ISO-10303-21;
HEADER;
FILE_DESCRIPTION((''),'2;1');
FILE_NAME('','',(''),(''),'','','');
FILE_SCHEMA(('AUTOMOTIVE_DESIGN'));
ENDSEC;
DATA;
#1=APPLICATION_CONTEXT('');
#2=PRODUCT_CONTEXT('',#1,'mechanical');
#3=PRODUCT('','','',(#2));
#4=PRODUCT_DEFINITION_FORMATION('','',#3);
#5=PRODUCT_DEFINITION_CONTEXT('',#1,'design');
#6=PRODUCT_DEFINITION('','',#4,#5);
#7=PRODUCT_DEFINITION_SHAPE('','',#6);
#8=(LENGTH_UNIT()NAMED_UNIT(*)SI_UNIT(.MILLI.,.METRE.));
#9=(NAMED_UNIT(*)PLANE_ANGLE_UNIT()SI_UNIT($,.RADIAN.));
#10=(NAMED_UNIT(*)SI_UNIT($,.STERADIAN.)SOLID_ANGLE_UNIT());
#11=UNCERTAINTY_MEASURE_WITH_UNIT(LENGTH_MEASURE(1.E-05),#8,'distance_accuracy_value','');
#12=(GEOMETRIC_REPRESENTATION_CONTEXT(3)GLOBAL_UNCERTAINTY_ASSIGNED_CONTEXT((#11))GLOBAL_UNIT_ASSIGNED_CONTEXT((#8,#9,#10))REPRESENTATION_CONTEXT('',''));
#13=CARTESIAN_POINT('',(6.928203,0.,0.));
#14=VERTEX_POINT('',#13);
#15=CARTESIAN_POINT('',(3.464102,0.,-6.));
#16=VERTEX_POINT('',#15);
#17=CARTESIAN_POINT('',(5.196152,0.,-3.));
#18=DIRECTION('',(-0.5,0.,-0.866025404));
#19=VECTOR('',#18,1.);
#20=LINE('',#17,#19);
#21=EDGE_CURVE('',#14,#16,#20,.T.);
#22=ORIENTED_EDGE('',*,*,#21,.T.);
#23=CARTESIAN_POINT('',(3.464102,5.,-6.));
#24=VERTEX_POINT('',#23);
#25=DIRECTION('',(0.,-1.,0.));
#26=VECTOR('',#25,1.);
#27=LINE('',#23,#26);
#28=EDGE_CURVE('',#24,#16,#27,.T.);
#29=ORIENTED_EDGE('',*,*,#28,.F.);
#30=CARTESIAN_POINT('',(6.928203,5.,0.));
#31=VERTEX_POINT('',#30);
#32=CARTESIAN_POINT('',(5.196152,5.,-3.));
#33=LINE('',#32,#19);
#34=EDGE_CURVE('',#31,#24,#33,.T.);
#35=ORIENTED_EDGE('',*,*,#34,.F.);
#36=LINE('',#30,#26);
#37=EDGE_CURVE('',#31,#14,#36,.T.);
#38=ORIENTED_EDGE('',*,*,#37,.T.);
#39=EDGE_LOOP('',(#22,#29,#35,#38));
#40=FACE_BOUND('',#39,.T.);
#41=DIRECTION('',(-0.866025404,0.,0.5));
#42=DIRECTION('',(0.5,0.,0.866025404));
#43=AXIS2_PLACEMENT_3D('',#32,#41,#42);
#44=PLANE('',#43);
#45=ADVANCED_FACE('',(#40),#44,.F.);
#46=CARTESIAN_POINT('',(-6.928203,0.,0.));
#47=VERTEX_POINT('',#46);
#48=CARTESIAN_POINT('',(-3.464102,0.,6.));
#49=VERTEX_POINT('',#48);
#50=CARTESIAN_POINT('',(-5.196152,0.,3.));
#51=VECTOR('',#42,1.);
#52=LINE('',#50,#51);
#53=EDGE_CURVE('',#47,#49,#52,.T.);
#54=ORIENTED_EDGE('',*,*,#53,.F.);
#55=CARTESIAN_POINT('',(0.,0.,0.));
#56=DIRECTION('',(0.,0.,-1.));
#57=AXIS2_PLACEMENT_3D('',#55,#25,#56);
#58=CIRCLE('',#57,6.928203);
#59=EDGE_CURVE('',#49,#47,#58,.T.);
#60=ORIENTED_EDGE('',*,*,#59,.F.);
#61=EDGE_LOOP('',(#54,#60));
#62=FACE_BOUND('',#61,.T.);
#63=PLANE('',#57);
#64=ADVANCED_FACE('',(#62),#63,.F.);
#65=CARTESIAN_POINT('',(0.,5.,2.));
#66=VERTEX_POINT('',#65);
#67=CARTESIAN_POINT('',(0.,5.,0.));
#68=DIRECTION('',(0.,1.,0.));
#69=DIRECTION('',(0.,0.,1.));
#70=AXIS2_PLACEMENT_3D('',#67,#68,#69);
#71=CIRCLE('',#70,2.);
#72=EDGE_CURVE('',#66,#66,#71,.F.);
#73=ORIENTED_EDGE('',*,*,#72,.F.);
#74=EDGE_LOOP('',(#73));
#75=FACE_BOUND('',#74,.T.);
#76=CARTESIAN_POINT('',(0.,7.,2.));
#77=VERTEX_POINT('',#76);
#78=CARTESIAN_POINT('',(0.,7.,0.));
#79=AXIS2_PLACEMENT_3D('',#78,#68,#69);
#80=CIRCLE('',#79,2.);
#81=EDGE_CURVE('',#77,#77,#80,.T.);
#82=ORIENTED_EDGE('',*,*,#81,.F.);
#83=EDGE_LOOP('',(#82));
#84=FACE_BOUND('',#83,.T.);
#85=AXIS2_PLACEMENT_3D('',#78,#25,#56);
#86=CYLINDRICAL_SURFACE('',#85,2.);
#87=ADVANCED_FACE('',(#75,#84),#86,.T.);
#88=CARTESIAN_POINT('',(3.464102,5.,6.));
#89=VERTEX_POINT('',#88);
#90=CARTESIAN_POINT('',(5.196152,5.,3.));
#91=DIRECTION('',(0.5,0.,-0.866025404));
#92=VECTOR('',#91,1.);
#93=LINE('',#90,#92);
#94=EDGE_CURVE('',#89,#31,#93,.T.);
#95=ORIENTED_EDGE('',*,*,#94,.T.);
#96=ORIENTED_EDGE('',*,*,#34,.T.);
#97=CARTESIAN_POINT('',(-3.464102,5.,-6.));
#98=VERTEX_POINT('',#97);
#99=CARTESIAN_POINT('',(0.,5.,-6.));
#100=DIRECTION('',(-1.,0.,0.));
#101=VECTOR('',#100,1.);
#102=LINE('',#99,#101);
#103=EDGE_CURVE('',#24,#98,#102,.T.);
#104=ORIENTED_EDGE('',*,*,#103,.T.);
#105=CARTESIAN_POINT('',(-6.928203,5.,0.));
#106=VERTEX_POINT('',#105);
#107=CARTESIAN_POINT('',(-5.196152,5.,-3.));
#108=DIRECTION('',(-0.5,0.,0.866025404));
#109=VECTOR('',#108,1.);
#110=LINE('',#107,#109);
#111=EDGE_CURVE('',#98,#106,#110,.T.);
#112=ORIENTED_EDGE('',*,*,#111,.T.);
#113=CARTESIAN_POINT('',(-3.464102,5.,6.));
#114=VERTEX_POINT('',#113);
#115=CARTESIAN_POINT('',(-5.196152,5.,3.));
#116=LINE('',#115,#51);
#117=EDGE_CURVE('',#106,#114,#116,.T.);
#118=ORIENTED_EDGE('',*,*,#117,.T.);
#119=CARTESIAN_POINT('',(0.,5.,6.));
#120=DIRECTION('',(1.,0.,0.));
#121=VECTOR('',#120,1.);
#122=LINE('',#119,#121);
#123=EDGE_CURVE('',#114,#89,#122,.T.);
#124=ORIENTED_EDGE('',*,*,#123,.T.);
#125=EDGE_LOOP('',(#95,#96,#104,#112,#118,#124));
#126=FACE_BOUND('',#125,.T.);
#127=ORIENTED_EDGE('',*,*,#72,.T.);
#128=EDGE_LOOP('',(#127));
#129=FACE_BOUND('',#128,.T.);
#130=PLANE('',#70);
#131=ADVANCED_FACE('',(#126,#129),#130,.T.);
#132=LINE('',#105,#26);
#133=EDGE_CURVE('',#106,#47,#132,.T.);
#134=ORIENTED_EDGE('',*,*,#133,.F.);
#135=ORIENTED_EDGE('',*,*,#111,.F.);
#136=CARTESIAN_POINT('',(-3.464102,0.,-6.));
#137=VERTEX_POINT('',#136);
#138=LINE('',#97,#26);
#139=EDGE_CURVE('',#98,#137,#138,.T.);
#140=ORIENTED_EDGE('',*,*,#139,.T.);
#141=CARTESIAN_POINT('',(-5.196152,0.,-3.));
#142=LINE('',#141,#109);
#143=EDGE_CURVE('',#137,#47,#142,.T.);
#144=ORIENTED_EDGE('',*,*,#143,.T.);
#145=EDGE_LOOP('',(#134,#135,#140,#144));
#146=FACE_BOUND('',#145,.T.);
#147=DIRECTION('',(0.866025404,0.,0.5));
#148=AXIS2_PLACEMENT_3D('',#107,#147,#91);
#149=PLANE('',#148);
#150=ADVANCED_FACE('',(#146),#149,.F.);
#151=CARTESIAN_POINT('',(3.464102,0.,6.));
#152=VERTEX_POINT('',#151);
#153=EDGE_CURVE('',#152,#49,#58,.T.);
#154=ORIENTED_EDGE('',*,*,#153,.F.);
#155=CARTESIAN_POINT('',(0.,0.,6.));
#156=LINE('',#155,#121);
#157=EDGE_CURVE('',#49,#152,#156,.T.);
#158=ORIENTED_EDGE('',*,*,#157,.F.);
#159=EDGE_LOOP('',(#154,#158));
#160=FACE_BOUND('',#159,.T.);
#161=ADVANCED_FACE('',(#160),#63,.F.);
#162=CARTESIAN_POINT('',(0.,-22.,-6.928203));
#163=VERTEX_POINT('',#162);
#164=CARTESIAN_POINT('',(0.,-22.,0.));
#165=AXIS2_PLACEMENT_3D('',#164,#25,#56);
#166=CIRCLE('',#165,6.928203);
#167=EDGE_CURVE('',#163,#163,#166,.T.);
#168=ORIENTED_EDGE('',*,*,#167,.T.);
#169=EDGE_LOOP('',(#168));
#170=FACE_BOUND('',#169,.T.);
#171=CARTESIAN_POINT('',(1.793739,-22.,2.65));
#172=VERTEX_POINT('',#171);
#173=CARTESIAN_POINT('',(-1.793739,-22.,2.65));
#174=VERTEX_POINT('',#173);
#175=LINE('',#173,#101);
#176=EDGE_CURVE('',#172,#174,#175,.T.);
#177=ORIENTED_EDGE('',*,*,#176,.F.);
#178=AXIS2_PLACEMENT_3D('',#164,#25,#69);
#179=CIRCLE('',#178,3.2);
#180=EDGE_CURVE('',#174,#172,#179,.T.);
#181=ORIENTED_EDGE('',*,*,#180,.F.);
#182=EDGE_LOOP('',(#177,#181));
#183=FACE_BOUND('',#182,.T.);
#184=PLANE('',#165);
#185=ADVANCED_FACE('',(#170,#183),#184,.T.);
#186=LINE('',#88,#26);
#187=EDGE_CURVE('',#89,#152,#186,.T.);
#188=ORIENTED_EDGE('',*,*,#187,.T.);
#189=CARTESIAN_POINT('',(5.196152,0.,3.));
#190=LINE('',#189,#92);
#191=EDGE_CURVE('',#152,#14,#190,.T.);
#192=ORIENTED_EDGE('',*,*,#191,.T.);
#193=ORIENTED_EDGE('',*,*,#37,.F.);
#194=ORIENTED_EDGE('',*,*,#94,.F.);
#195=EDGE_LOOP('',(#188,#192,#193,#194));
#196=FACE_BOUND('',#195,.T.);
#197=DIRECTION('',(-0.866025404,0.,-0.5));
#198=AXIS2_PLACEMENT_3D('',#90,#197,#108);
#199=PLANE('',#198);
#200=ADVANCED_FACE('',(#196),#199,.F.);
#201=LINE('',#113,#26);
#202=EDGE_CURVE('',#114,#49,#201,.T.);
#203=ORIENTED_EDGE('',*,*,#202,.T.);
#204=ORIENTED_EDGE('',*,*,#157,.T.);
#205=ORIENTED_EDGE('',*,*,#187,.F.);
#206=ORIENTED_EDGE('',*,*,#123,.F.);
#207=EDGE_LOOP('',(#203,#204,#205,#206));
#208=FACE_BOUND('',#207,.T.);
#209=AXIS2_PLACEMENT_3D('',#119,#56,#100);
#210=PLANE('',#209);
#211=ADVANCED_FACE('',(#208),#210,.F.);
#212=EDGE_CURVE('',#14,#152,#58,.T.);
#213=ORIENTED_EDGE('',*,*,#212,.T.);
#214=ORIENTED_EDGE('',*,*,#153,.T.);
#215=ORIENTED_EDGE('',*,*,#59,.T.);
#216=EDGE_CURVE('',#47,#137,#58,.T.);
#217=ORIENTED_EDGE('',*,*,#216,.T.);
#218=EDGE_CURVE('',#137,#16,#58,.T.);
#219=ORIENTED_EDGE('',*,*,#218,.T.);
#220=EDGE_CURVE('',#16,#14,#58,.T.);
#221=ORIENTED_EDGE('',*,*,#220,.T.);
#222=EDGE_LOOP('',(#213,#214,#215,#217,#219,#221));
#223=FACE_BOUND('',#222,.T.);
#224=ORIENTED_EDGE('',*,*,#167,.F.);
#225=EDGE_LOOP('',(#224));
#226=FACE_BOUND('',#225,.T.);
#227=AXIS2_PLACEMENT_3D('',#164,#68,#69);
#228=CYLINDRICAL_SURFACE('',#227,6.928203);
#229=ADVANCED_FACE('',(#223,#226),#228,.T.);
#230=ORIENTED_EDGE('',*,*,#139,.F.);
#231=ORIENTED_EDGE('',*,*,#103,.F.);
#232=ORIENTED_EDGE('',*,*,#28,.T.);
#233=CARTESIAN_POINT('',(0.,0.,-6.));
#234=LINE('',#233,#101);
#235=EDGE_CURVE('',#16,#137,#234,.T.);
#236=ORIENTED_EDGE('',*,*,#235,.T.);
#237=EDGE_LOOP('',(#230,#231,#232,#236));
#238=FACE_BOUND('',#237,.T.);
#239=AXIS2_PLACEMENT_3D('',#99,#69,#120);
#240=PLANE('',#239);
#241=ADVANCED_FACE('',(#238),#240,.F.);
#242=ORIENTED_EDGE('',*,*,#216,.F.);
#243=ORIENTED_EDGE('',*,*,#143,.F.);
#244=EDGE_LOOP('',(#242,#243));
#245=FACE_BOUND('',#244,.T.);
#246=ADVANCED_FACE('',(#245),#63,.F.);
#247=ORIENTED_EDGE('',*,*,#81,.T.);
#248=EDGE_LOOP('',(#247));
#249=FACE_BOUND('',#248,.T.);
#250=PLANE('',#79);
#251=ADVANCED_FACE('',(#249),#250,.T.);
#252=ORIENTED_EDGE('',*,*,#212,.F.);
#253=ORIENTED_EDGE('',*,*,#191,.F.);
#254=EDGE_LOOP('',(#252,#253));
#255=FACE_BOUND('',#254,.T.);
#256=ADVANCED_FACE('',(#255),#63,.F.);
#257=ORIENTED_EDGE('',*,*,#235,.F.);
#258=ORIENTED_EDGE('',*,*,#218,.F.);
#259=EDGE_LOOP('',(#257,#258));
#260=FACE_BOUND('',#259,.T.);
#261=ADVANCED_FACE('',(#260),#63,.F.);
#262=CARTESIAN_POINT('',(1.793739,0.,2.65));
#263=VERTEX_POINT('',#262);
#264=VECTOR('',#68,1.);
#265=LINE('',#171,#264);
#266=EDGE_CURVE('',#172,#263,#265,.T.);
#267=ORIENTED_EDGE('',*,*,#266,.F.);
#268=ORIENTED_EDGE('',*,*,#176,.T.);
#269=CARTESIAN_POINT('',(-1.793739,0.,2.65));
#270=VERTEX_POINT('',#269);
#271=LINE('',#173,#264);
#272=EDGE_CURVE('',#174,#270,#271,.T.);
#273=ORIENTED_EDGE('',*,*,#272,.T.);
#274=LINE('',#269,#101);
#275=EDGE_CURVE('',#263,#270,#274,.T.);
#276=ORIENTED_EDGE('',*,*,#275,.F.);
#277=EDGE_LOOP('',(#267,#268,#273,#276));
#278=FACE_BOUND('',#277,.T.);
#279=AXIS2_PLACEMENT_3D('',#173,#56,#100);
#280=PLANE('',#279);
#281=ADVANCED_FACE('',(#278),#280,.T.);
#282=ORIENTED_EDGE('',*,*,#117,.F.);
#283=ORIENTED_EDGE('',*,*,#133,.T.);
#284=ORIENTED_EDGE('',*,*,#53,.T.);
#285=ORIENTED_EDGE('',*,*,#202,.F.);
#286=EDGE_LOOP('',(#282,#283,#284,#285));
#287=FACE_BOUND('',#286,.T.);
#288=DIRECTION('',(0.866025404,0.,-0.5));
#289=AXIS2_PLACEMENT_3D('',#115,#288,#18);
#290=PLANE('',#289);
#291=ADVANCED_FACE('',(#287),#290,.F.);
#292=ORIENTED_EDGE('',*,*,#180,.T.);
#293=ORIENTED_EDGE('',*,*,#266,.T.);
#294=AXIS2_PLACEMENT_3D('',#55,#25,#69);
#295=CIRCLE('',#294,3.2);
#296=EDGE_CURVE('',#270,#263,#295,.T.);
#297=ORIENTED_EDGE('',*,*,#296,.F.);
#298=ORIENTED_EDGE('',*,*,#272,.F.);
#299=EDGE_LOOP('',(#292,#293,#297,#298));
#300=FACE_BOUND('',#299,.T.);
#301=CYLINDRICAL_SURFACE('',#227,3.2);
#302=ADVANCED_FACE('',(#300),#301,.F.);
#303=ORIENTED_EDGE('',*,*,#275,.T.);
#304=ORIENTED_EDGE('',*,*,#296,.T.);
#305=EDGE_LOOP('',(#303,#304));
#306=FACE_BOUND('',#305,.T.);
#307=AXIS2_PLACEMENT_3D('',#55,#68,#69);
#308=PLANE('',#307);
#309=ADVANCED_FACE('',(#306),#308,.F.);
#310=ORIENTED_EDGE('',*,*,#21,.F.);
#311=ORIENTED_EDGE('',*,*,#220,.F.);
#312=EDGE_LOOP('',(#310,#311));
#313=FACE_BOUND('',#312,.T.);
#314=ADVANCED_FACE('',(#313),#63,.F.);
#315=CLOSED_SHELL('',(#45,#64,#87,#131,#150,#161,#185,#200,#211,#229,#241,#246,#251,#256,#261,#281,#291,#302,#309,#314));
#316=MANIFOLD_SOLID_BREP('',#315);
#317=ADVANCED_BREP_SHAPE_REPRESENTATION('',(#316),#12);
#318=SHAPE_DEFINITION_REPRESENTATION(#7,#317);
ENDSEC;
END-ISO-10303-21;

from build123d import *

# Parameters (mm, degrees)
BOSS_EXTRUDE1_DEPTH = 5
SKETCH1_3_R         = 2
BOSS_EXTRUDE2_DEPTH = 7
SKETCH2_R           = 6.92820323
BOSS_EXTRUDE3_DEPTH = 22


with BuildPart() as part:
    # Sketch1 → Boss-Extrude1 (new body)
    with BuildSketch(Plane(origin=(0, 0, 0), x_dir=(1, 0, 0), z_dir=(0, 1, 0))):
        Polygon((-6.92820323, 0), (-3.464101615, -6), (3.464101615, -6), (6.92820323, 0), (3.464101615, 6), (-3.464101615, 6), align=None)
    extrude(amount=BOSS_EXTRUDE1_DEPTH)

    # Sketch1<3> → Boss-Extrude2 (add)
    with BuildSketch(Plane(origin=(0, 0, 0), x_dir=(1, 0, 0), z_dir=(0, 1, 0))):
        Circle(SKETCH1_3_R)
    extrude(amount=BOSS_EXTRUDE2_DEPTH)

    # Sketch2 → Boss-Extrude3 (add)
    with BuildSketch(Plane.XZ):
        Circle(SKETCH2_R)
        with BuildLine():
            Line((-1.793739111, 2.65), (1.793739111, 2.65))
            ThreePointArc((1.793739111, 2.65), (0, -3.2), (-1.793739111, 2.65))
        make_face(mode=Mode.SUBTRACT)
    extrude(amount=BOSS_EXTRUDE3_DEPTH)


solid = part.part
